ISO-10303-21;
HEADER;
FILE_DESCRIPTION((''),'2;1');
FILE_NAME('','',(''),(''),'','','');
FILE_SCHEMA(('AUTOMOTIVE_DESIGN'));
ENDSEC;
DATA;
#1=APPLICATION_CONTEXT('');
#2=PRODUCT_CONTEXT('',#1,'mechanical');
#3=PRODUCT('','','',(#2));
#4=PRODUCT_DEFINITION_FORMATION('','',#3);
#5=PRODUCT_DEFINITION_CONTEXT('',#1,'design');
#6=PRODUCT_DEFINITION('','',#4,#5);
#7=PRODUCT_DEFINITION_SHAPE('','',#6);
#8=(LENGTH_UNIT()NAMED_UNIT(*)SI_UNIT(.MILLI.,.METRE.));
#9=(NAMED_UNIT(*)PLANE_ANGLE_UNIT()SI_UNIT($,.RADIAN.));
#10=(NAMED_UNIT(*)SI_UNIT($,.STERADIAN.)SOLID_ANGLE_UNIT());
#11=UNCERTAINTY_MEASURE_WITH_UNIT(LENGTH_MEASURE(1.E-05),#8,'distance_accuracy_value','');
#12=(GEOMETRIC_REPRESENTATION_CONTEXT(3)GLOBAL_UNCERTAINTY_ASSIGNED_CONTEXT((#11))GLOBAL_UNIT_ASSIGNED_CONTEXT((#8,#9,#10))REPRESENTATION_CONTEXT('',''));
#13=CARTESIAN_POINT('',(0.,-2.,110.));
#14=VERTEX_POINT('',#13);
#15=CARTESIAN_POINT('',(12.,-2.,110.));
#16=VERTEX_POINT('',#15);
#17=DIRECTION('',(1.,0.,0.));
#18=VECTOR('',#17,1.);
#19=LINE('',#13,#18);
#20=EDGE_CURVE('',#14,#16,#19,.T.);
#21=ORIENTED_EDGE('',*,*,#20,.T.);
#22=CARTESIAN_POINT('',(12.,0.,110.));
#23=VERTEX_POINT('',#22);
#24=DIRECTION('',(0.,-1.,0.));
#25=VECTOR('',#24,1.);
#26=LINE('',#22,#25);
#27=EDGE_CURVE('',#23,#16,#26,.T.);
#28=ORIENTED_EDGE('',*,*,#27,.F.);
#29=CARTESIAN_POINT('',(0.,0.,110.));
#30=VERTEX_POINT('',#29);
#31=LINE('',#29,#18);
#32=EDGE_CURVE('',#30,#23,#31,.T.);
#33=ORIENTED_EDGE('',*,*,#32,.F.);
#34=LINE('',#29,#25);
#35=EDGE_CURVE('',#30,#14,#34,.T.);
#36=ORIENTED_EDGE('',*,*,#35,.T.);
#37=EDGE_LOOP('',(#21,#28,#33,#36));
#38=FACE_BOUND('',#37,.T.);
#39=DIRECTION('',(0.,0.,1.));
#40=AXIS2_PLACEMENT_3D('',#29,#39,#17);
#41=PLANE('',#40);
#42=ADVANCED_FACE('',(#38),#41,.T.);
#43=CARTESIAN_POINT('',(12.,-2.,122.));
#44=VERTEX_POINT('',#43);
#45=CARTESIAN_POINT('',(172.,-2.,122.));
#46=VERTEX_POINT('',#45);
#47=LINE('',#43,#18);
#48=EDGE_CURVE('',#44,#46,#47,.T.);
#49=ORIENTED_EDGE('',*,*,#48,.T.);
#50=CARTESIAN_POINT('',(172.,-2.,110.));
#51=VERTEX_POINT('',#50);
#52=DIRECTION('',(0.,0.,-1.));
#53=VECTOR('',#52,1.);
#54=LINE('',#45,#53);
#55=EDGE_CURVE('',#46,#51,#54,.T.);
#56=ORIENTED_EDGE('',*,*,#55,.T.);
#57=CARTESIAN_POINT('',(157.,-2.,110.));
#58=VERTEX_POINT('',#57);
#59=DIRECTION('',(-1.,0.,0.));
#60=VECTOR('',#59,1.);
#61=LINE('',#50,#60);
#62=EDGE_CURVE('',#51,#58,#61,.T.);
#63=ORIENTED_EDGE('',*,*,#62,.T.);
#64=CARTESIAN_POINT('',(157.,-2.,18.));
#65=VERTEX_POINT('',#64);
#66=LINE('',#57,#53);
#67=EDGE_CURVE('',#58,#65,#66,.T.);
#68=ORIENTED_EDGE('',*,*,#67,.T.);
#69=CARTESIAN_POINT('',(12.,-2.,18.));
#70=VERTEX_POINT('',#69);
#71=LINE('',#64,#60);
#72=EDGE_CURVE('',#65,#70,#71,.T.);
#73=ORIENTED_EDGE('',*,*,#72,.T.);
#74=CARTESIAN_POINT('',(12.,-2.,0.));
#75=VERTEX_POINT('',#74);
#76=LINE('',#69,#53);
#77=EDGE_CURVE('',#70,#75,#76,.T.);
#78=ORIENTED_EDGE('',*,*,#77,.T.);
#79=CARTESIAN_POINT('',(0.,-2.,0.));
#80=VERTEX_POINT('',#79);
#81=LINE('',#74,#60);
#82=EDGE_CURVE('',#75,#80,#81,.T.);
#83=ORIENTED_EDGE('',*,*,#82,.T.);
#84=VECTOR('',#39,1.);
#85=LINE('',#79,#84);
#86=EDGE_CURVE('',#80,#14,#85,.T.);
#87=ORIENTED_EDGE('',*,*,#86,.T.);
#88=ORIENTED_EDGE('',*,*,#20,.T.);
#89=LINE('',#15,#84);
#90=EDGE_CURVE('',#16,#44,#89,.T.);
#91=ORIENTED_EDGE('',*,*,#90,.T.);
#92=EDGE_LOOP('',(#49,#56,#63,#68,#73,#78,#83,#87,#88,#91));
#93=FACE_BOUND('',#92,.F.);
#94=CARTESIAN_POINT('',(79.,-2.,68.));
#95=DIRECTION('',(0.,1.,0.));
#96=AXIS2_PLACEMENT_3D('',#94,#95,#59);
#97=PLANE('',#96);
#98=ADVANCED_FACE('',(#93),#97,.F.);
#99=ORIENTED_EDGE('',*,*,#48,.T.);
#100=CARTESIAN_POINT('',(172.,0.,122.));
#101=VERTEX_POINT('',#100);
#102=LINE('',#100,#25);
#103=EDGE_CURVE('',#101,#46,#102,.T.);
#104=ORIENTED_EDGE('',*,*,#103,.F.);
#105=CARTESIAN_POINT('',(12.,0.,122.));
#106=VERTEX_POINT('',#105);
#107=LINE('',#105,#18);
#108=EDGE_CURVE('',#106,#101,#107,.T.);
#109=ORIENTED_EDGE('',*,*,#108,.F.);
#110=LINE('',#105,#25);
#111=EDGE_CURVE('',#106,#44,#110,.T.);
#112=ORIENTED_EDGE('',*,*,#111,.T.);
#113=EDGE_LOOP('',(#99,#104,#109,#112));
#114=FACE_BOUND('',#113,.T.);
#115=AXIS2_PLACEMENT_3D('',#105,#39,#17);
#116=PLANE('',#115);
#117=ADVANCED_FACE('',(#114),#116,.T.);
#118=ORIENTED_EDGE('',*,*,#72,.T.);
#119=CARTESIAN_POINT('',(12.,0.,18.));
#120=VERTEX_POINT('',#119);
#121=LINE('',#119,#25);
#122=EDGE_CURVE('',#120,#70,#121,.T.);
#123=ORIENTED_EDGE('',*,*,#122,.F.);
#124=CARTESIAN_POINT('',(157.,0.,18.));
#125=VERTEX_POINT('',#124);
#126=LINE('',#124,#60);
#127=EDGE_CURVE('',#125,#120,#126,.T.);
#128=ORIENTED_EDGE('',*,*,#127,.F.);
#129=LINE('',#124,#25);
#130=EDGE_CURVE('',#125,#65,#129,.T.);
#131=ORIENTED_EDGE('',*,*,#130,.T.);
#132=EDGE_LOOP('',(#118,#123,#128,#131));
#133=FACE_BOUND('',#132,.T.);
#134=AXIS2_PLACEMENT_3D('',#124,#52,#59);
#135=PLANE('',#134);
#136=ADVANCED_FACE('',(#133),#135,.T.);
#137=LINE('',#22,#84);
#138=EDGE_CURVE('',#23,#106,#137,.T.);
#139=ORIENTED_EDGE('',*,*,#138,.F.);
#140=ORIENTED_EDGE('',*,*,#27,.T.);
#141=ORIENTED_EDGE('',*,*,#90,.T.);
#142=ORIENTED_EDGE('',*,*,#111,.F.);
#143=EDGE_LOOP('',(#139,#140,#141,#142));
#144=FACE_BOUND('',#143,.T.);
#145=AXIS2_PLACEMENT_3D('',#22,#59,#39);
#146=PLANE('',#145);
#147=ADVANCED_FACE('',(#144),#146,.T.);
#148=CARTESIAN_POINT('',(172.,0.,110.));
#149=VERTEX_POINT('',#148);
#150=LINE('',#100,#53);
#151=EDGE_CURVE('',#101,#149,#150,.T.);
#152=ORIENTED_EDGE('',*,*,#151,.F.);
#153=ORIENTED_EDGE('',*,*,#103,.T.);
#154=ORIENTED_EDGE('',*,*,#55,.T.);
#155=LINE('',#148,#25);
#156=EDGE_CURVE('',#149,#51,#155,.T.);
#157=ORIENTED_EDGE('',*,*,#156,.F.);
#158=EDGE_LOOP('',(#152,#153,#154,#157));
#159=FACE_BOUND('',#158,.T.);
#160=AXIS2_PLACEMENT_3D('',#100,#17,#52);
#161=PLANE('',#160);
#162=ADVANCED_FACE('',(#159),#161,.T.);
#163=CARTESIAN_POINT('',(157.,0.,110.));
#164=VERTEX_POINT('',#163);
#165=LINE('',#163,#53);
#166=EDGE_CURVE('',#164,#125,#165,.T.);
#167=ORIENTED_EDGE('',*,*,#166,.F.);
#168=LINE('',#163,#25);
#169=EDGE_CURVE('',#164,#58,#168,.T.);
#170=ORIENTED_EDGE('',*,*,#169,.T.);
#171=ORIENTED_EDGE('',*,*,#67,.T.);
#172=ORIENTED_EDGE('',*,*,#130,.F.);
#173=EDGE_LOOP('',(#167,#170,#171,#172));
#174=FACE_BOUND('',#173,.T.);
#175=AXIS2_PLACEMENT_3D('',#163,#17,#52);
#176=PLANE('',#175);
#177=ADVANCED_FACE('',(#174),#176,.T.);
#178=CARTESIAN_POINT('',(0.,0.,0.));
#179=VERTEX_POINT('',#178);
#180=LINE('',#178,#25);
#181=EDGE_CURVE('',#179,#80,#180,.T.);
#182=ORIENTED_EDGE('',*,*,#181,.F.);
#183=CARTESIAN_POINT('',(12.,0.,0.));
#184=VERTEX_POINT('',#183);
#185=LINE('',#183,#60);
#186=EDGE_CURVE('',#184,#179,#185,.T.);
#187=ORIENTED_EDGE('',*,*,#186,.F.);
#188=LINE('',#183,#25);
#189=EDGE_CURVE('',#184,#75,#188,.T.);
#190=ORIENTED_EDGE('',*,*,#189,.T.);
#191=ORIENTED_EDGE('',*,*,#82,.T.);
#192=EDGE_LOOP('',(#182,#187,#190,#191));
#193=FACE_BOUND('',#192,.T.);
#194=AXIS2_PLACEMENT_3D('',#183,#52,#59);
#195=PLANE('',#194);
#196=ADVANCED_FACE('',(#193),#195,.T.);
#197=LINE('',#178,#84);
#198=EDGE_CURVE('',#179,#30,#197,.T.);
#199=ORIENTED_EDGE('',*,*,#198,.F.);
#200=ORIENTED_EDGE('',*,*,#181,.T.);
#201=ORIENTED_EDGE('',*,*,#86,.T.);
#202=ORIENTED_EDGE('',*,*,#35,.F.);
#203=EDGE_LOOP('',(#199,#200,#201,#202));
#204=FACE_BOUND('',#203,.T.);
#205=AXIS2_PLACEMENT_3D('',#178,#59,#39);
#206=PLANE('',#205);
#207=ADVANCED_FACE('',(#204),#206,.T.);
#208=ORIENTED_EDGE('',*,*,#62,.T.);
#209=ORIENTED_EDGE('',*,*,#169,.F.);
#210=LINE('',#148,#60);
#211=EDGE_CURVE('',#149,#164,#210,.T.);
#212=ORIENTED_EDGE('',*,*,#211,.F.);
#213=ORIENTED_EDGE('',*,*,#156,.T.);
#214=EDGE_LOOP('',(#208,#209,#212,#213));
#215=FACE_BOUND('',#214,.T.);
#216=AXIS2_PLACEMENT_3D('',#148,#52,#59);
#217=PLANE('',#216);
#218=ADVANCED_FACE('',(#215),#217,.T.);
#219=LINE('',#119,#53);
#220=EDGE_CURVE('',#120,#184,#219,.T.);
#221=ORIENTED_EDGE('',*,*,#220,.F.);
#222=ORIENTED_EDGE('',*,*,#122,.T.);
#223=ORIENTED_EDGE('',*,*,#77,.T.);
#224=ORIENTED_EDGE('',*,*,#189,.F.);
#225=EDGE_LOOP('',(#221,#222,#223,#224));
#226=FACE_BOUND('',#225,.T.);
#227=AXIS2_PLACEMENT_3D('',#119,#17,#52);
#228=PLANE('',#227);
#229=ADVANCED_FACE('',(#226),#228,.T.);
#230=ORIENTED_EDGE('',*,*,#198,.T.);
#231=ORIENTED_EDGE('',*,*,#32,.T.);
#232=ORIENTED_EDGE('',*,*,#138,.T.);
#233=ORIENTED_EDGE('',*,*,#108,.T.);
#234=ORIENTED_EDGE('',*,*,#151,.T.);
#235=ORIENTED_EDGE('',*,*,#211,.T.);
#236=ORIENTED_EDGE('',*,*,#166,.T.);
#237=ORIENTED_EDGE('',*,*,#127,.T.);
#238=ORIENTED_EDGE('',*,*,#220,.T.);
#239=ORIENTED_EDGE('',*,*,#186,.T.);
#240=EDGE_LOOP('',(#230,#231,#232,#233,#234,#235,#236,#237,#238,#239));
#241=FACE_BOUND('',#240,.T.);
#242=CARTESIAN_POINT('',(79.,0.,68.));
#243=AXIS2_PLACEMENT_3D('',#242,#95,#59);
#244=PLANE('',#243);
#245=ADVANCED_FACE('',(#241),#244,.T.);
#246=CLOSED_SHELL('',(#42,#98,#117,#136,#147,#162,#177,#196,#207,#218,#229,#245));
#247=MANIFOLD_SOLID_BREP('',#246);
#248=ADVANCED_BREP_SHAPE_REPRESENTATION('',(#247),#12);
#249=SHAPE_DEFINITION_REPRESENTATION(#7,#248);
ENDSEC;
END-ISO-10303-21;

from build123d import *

# Parameters (mm, degrees)
PAD_DEPTH = 2


with BuildPart() as part:
    # Sketch → Pad (new body)
    with BuildSketch(Plane.XZ):
        Polygon((0, 0), (0, 110), (12, 110), (12, 122), (172, 122), (172, 110), (157, 110), (157, 18), (12, 18), (12, 0), align=None)
    extrude(amount=PAD_DEPTH)


solid = part.part
